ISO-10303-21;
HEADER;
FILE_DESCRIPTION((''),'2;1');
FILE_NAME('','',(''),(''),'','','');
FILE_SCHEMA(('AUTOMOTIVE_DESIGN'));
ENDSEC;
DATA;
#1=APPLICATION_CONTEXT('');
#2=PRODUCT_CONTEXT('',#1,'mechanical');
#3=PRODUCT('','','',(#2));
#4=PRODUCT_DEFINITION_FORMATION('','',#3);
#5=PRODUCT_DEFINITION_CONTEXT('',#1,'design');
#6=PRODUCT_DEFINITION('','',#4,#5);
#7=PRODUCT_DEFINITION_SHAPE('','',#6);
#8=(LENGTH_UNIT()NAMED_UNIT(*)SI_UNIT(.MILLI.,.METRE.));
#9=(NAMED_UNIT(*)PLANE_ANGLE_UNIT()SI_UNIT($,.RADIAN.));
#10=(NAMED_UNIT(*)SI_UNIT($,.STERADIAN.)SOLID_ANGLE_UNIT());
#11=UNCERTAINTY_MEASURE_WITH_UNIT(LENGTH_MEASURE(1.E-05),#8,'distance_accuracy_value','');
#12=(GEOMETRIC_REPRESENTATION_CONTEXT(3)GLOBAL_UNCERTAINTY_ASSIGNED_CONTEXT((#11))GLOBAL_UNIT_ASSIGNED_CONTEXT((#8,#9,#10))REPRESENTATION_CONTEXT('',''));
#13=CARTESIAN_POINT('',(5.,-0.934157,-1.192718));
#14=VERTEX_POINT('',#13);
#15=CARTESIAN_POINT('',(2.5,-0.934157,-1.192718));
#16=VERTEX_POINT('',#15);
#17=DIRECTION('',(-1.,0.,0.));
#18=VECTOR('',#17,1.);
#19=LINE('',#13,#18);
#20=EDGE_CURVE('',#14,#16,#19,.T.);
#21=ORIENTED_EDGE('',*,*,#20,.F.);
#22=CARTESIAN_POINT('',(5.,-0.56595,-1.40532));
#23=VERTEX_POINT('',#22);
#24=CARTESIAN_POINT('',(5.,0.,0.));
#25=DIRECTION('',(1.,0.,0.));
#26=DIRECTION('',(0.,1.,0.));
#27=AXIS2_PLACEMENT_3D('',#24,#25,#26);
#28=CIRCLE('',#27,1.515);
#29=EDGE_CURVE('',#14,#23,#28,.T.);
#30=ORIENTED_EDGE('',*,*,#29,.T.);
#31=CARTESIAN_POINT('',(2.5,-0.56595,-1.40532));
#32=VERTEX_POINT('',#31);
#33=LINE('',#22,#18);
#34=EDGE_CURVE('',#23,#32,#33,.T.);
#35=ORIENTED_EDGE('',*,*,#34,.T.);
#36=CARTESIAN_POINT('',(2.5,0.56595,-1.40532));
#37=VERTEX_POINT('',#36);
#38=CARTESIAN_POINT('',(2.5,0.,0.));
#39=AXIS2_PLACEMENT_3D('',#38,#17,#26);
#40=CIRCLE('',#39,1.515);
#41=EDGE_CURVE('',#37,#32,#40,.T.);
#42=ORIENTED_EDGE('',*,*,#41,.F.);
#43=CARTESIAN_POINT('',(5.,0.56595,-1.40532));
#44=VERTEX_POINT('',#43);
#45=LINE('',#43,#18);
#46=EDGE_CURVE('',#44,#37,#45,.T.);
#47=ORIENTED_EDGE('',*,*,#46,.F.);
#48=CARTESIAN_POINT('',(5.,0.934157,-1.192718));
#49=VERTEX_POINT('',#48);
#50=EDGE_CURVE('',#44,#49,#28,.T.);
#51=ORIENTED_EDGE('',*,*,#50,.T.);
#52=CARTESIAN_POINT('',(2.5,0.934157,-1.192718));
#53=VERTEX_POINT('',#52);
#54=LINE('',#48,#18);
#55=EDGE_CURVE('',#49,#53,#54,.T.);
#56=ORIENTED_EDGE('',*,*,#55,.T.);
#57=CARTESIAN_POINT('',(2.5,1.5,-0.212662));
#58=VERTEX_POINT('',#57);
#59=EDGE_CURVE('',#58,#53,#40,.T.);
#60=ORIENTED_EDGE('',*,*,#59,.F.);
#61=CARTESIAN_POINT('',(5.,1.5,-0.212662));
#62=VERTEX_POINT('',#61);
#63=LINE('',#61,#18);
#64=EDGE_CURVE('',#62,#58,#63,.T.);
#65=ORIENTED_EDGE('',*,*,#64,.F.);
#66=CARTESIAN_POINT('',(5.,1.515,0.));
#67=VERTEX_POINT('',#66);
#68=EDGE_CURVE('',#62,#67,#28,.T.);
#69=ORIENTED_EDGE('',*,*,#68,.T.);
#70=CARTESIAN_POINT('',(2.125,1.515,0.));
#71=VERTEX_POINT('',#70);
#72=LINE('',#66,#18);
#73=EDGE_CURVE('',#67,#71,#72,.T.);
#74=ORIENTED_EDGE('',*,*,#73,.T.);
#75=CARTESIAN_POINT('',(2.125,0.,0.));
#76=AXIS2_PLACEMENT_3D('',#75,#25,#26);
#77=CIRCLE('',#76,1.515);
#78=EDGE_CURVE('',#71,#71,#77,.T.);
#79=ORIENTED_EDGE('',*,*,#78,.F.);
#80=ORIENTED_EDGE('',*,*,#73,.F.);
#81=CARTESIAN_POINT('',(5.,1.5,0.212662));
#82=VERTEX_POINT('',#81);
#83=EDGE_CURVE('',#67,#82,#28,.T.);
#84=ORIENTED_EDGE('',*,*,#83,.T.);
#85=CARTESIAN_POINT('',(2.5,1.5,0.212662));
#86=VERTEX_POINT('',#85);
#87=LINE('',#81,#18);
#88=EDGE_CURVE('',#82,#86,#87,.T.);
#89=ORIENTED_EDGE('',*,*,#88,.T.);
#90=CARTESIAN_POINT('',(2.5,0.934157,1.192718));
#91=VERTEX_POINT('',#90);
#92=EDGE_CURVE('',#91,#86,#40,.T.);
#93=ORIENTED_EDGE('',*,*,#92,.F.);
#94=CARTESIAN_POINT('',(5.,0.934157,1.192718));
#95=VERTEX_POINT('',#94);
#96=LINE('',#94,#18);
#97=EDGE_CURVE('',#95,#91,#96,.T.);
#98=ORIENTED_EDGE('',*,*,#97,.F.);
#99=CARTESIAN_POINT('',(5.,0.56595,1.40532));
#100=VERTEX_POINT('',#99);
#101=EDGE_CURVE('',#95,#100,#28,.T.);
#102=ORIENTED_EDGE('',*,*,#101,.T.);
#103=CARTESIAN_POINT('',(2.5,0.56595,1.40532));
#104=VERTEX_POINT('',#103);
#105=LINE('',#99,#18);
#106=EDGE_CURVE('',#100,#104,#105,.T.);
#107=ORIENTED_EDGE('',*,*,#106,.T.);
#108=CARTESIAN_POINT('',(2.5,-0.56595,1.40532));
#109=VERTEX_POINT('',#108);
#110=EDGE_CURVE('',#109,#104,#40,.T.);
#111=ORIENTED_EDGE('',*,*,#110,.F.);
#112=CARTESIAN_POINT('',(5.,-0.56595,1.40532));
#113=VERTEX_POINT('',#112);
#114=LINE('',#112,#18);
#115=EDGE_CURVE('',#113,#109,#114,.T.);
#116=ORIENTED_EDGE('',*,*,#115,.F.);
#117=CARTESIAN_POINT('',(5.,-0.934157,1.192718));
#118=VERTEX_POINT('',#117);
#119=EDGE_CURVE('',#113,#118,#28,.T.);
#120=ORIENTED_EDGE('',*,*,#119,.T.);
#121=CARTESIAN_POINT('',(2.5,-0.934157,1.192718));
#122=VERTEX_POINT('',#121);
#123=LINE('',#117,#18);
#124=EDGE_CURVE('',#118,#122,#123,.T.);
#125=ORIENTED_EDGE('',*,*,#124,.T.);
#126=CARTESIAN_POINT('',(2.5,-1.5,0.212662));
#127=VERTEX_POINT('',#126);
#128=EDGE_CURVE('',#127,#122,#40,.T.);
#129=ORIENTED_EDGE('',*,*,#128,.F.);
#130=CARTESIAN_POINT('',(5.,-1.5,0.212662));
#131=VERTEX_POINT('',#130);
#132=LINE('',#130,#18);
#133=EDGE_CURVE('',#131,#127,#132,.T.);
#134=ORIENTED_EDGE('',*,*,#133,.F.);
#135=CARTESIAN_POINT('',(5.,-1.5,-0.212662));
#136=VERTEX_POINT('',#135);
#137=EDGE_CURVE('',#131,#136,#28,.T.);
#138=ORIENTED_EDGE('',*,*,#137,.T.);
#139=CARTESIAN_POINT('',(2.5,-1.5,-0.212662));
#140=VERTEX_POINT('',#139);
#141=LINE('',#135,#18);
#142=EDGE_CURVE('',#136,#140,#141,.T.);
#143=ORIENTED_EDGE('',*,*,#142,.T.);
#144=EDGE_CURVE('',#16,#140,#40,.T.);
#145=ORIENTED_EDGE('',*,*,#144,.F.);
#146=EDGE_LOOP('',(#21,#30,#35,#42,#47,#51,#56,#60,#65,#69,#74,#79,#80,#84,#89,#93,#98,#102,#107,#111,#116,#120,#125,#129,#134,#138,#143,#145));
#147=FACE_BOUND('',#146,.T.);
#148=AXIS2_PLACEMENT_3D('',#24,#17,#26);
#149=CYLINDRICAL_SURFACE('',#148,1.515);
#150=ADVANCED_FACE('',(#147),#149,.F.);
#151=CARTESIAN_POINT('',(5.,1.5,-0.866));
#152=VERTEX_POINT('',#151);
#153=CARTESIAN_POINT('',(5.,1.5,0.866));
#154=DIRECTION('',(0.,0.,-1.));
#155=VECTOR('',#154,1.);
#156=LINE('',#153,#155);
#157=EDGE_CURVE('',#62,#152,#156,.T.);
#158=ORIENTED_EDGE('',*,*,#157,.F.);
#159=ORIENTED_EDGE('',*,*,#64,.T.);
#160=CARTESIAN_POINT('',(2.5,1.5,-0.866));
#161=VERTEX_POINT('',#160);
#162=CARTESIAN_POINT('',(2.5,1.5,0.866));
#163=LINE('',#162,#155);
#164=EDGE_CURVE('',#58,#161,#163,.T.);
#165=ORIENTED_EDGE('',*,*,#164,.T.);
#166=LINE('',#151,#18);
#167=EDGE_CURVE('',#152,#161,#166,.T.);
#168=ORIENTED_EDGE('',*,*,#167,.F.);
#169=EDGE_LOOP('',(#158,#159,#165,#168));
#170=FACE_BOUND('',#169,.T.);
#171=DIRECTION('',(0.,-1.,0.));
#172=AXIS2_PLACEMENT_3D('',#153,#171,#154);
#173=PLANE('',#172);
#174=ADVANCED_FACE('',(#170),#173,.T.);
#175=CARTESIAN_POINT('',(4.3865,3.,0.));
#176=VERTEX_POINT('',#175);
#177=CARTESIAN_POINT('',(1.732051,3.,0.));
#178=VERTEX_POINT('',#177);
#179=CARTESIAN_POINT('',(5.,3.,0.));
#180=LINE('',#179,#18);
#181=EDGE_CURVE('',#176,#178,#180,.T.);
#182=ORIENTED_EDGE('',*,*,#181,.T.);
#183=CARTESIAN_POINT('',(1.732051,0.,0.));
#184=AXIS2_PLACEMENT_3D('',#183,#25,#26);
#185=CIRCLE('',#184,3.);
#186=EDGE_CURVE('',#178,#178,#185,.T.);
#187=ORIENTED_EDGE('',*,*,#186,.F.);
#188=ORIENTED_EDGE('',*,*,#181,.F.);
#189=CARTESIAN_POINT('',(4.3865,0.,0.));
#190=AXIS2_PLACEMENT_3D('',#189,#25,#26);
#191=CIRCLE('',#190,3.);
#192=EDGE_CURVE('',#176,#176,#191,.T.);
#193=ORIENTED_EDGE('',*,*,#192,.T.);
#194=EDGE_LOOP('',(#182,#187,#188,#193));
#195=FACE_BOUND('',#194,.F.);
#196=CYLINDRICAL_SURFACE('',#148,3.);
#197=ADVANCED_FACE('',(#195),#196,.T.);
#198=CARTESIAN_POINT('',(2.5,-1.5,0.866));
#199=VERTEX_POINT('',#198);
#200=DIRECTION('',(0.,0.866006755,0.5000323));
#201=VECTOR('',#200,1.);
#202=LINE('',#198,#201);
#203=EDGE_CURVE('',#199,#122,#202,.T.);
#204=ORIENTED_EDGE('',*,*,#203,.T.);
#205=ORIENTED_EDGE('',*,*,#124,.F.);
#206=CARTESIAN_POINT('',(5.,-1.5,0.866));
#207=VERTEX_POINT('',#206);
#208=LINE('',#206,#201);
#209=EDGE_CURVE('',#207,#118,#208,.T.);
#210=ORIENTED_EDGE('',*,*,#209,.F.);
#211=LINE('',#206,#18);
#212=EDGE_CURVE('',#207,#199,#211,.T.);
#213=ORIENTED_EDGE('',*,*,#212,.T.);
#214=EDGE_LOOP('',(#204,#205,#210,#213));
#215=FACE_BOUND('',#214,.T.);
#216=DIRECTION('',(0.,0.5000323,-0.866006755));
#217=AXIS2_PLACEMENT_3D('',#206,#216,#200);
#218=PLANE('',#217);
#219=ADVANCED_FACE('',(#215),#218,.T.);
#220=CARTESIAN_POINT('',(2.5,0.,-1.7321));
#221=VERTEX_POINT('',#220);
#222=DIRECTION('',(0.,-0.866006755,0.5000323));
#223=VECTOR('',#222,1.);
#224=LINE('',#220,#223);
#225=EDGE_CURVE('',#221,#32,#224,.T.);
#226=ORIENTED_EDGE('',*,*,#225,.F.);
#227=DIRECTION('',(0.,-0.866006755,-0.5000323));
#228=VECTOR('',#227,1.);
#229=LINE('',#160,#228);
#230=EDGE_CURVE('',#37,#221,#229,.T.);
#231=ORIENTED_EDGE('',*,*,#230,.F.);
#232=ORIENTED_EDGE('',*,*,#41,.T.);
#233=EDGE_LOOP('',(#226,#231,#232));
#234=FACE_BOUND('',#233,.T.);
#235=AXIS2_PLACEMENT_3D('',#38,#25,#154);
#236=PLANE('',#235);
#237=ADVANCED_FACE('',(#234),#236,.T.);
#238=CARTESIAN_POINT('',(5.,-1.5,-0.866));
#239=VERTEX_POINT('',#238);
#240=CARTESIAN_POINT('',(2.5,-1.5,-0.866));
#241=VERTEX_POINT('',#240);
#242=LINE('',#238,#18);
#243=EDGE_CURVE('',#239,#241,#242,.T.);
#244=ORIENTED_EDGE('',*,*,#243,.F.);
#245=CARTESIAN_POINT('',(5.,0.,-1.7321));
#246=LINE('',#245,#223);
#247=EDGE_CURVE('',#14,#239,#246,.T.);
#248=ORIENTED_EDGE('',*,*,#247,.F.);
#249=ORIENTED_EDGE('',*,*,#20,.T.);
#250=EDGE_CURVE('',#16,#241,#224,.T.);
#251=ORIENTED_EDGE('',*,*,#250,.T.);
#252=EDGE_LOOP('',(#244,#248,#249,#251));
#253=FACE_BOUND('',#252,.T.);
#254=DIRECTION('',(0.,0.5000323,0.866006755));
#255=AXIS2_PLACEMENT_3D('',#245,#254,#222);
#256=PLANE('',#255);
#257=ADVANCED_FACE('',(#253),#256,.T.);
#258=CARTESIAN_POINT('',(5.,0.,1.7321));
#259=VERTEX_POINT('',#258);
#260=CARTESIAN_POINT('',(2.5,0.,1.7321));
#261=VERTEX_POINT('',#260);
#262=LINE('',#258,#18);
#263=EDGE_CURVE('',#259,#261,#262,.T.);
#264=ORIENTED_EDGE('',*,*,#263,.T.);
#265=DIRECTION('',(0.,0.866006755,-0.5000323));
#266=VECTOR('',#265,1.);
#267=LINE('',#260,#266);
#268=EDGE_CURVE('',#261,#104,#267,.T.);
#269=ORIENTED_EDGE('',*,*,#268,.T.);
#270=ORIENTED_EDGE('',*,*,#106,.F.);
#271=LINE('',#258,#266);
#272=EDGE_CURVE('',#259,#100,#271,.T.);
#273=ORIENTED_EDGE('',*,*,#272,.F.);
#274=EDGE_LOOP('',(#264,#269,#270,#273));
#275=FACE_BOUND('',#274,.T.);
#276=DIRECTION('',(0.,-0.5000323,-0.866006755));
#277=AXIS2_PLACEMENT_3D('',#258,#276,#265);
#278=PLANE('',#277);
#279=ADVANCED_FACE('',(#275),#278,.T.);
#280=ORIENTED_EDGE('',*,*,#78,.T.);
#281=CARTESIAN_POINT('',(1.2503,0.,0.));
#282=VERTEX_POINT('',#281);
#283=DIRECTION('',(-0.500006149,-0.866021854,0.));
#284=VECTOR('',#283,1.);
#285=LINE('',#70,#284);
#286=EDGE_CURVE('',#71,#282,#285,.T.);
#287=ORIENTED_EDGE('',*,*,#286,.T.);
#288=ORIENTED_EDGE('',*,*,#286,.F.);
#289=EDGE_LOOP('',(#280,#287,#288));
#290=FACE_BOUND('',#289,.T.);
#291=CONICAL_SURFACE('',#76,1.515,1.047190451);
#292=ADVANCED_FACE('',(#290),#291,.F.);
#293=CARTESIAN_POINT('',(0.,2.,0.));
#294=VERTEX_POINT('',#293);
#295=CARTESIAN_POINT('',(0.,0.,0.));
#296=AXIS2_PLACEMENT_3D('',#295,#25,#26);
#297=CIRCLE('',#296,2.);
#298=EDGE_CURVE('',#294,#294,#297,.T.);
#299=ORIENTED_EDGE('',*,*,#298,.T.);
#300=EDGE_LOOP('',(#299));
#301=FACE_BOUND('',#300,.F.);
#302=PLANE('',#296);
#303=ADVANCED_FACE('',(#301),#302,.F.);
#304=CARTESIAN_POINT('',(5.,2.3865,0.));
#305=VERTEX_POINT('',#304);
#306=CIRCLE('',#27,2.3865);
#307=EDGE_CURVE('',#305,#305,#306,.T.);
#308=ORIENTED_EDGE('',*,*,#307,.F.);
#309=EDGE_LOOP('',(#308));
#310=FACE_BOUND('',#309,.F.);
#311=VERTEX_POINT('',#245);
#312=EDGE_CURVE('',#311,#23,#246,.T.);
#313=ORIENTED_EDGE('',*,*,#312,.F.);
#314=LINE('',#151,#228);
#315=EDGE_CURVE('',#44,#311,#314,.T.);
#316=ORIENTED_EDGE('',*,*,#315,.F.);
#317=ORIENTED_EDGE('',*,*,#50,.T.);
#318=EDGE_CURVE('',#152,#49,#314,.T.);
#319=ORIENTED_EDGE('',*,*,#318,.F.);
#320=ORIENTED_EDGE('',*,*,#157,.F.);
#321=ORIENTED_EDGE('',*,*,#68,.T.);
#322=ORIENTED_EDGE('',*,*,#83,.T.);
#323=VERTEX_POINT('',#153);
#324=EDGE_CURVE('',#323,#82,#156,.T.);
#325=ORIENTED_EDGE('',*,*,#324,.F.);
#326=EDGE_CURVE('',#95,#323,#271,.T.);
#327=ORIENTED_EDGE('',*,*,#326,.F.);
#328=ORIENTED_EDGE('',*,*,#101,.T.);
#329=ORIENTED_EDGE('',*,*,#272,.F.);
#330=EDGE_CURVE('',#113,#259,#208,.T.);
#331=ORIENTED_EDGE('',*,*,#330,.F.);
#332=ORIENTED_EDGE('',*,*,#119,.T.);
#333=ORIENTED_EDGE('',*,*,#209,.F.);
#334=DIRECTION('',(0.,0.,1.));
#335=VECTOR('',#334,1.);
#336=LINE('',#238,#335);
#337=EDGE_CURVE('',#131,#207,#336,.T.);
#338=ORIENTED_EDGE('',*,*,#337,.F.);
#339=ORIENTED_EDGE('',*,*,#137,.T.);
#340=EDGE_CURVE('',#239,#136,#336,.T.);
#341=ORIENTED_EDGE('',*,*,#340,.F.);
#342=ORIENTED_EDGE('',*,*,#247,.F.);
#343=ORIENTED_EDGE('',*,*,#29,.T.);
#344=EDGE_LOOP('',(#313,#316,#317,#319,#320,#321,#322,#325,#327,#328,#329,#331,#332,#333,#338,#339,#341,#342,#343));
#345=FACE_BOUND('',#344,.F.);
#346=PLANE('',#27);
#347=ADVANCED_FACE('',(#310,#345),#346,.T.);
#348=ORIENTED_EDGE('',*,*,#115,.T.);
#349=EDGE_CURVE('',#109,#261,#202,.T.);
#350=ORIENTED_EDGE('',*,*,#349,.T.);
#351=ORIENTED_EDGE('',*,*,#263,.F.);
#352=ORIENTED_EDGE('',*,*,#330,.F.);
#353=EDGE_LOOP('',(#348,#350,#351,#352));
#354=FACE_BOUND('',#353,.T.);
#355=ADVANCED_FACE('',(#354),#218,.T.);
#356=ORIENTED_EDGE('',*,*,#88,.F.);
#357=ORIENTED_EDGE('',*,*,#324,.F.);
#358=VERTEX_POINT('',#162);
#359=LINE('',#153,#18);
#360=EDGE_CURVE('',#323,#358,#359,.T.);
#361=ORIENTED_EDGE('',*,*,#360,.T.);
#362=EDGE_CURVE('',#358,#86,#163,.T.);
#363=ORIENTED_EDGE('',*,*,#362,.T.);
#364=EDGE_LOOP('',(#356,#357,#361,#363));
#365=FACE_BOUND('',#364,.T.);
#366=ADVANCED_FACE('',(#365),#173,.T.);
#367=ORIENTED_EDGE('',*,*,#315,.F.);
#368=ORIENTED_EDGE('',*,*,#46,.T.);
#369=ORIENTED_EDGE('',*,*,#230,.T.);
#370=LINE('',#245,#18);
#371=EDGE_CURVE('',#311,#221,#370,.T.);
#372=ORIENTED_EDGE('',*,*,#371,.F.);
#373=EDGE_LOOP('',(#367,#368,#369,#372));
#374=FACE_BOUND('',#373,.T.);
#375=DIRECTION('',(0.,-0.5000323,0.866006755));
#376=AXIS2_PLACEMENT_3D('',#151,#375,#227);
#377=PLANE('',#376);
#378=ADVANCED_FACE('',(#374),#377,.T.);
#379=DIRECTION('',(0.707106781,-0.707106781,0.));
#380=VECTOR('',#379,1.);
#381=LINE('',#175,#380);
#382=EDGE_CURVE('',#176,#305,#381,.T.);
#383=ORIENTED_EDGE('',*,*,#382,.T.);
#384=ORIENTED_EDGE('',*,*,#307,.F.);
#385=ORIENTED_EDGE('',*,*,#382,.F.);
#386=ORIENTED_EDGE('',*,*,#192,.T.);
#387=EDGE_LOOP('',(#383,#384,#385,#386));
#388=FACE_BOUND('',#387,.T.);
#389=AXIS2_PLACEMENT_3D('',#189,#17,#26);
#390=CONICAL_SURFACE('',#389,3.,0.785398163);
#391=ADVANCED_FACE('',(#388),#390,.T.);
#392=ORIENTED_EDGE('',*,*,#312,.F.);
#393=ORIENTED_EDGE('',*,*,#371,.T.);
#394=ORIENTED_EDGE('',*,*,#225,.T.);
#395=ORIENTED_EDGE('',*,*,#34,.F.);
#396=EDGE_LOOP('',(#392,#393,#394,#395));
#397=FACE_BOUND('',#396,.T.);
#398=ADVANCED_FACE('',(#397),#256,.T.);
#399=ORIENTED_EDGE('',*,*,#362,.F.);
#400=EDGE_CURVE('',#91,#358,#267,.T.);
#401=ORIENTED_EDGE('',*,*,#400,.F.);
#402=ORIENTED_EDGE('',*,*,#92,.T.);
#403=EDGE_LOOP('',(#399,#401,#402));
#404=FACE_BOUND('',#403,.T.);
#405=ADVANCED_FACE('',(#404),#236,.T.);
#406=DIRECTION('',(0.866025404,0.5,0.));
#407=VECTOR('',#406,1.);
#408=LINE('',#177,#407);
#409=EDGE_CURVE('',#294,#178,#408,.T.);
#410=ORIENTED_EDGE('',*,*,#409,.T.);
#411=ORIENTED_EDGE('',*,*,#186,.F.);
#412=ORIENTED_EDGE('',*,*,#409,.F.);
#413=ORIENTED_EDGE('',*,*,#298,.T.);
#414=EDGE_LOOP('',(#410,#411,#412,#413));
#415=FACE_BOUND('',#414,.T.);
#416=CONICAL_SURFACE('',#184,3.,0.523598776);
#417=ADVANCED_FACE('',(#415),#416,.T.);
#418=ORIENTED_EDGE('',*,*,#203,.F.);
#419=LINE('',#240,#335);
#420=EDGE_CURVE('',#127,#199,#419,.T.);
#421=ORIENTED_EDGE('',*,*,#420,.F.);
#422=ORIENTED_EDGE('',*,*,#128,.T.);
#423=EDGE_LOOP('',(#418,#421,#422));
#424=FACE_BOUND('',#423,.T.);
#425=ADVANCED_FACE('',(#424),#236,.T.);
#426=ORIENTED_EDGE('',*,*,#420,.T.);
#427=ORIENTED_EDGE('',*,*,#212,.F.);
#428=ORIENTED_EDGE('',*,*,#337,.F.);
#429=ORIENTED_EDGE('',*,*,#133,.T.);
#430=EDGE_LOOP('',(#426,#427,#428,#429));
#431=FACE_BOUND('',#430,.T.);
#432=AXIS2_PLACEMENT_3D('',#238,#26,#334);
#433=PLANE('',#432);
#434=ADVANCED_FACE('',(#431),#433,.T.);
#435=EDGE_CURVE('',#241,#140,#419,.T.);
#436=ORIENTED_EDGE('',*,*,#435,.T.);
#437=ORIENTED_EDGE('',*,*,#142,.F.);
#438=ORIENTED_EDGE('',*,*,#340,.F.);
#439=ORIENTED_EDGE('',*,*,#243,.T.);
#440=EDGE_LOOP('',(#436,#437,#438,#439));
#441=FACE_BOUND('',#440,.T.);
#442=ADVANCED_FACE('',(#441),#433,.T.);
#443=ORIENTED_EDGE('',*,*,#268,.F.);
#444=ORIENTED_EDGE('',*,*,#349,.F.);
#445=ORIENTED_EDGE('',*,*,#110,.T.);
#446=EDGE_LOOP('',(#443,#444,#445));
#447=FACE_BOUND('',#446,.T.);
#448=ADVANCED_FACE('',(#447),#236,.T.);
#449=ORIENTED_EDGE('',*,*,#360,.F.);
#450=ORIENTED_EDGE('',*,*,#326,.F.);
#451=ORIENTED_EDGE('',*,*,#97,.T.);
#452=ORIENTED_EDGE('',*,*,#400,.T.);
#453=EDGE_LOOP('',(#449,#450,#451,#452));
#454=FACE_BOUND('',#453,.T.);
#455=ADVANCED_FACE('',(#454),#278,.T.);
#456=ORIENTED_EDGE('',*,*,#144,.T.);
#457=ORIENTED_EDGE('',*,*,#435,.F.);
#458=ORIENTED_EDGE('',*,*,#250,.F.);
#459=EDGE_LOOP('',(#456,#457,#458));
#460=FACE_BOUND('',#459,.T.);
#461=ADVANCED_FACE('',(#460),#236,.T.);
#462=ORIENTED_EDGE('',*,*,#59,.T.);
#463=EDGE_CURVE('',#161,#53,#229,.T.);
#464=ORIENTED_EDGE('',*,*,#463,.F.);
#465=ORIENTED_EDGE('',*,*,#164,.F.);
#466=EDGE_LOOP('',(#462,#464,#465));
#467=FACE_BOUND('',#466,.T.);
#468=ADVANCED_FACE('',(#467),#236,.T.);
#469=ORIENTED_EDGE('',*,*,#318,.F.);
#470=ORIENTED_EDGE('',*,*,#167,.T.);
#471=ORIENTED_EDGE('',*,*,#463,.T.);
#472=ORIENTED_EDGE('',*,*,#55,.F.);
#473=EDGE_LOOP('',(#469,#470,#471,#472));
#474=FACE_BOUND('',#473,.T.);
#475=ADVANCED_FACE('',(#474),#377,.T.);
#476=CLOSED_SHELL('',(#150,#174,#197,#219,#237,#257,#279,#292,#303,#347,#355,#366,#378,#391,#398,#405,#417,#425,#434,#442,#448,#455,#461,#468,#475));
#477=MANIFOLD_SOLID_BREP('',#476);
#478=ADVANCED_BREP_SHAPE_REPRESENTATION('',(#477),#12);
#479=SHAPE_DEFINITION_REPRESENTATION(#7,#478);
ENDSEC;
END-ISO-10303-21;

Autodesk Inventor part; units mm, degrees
ref_plane "YZ Plane" through (0, 0, 0) normal (1, 0, 0) x (0, 1, 0)
ref_plane "XZ Plane" through (0, 0, 0) normal (0, 1, 0) x (-1, 0, 0)
sketch "Esquisse1" plane through (0, 0, 0) normal (0, 0, 1) x (1, 0, 0)
  line L0 (0, 0) -> (1.2503, 0)
  line L1 (5, 1.515) -> (5, 3)
  line L2 (5, 3) -> (0, 3)
  line L3 (5, 1.515) -> (2.125, 1.515)
  line L4 (2.125, 1.515) -> (1.2503, 0)
  line L5 (-1, 0) -> (6, 0) projected
  line L6 (0, 3) -> (0, 0)
  line L7 (0, -0.6) -> (0, 3.6) projected
  dimension "d0" = 2.875
  dimension "d1" = 60
  dimension "d2" = 6
  dimension "d3" = 3.03
  dimension "d12" = 5
revolve "Corps" add sketch "Esquisse1" angle 360 about axis through (0, 0, 0) along (1, 0, 0)
sketch "Esquisse2" plane through (5, 0, 0) normal (1, 0, 0) x (0, 0, -1)
  line L0 (-0.866, 1.5) -> (0.866, 1.5)
  line L1 (0.866, 1.5) -> (1.7321, 0)
  line L2 (1.7321, 0) -> (0.866, -1.5)
  line L3 (0.866, -1.5) -> (-0.866, -1.5)
  line L4 (-0.866, -1.5) -> (-1.7321, 0)
  line L5 (-1.7321, 0) -> (-0.866, 1.5)
  point P0 (0, 0)
  point P1 (0, 0)
  dimension "d13" = 3
extrude "Rainure" cut sketch "Esquisse2" against normal blind 2.5
thread "Filetage" size "M6x1" class "6g" standard "ANSI Metric M Profile" full length
chamfer "Chanfrein1" distance 0.6135 angle 45 1 edges at (5, -3, 0) measured on face at (5, 1.628, -1.8837)
chamfer "Chanfrein2" distance 1 angle 60 1 edges at (0, -3, 0) measured on face at (0, -1.1424, 0.935)
ref_plane "Work Plane3" through (2.5, 0, 0) normal (0, -0.5, -0.866) x (1, 0, 0)
equation "\"d0\" = 1.15 * INTI"
equation "\"d2\" = NND"
equation "\"d3\" = 1.01 * SW"
equation "\"d12\" = NLG"
equation "\"d13\" = SW"
equation "\"d4\" = INTI"
equation "\"d8\" = -0.5 * GD1 + 0.5 * NND"
equation "\"d39\" = -0.5 * GD1 + 0.5 * NND"
equation "\"d15\" = -0.5 * SPD + 0.5 * NND"
equation "\"d40\" = -0.5 * SPD + 0.5 * NND"
equation "\"NND\" = 6"
equation "\"NLG\" = 5"
equation "\"INTI\" = 2.5"
equation "\"FAWI\" = 45deg"
equation "\"SW\" = 3"
equation "\"GD1\" = THREADDIA - 1.2269 * PTC"
equation "\"FAWI1\" = 30deg"
equation "\"SPD\" = 4"
equation "\"GUL\" = 0.61345 * PTC"
equation "\"TOA\" = 30deg"
equation "\"THREADDIA\" = 6"
equation "\"PTC\" = 1"
equation "\"GAL\" = 0.61345 * PTC"
equation "\"E0\" = 1.155 * SW"
properties part number "ANSI B18.3.6M - M6x1 x 5" material "Acier, doux"
